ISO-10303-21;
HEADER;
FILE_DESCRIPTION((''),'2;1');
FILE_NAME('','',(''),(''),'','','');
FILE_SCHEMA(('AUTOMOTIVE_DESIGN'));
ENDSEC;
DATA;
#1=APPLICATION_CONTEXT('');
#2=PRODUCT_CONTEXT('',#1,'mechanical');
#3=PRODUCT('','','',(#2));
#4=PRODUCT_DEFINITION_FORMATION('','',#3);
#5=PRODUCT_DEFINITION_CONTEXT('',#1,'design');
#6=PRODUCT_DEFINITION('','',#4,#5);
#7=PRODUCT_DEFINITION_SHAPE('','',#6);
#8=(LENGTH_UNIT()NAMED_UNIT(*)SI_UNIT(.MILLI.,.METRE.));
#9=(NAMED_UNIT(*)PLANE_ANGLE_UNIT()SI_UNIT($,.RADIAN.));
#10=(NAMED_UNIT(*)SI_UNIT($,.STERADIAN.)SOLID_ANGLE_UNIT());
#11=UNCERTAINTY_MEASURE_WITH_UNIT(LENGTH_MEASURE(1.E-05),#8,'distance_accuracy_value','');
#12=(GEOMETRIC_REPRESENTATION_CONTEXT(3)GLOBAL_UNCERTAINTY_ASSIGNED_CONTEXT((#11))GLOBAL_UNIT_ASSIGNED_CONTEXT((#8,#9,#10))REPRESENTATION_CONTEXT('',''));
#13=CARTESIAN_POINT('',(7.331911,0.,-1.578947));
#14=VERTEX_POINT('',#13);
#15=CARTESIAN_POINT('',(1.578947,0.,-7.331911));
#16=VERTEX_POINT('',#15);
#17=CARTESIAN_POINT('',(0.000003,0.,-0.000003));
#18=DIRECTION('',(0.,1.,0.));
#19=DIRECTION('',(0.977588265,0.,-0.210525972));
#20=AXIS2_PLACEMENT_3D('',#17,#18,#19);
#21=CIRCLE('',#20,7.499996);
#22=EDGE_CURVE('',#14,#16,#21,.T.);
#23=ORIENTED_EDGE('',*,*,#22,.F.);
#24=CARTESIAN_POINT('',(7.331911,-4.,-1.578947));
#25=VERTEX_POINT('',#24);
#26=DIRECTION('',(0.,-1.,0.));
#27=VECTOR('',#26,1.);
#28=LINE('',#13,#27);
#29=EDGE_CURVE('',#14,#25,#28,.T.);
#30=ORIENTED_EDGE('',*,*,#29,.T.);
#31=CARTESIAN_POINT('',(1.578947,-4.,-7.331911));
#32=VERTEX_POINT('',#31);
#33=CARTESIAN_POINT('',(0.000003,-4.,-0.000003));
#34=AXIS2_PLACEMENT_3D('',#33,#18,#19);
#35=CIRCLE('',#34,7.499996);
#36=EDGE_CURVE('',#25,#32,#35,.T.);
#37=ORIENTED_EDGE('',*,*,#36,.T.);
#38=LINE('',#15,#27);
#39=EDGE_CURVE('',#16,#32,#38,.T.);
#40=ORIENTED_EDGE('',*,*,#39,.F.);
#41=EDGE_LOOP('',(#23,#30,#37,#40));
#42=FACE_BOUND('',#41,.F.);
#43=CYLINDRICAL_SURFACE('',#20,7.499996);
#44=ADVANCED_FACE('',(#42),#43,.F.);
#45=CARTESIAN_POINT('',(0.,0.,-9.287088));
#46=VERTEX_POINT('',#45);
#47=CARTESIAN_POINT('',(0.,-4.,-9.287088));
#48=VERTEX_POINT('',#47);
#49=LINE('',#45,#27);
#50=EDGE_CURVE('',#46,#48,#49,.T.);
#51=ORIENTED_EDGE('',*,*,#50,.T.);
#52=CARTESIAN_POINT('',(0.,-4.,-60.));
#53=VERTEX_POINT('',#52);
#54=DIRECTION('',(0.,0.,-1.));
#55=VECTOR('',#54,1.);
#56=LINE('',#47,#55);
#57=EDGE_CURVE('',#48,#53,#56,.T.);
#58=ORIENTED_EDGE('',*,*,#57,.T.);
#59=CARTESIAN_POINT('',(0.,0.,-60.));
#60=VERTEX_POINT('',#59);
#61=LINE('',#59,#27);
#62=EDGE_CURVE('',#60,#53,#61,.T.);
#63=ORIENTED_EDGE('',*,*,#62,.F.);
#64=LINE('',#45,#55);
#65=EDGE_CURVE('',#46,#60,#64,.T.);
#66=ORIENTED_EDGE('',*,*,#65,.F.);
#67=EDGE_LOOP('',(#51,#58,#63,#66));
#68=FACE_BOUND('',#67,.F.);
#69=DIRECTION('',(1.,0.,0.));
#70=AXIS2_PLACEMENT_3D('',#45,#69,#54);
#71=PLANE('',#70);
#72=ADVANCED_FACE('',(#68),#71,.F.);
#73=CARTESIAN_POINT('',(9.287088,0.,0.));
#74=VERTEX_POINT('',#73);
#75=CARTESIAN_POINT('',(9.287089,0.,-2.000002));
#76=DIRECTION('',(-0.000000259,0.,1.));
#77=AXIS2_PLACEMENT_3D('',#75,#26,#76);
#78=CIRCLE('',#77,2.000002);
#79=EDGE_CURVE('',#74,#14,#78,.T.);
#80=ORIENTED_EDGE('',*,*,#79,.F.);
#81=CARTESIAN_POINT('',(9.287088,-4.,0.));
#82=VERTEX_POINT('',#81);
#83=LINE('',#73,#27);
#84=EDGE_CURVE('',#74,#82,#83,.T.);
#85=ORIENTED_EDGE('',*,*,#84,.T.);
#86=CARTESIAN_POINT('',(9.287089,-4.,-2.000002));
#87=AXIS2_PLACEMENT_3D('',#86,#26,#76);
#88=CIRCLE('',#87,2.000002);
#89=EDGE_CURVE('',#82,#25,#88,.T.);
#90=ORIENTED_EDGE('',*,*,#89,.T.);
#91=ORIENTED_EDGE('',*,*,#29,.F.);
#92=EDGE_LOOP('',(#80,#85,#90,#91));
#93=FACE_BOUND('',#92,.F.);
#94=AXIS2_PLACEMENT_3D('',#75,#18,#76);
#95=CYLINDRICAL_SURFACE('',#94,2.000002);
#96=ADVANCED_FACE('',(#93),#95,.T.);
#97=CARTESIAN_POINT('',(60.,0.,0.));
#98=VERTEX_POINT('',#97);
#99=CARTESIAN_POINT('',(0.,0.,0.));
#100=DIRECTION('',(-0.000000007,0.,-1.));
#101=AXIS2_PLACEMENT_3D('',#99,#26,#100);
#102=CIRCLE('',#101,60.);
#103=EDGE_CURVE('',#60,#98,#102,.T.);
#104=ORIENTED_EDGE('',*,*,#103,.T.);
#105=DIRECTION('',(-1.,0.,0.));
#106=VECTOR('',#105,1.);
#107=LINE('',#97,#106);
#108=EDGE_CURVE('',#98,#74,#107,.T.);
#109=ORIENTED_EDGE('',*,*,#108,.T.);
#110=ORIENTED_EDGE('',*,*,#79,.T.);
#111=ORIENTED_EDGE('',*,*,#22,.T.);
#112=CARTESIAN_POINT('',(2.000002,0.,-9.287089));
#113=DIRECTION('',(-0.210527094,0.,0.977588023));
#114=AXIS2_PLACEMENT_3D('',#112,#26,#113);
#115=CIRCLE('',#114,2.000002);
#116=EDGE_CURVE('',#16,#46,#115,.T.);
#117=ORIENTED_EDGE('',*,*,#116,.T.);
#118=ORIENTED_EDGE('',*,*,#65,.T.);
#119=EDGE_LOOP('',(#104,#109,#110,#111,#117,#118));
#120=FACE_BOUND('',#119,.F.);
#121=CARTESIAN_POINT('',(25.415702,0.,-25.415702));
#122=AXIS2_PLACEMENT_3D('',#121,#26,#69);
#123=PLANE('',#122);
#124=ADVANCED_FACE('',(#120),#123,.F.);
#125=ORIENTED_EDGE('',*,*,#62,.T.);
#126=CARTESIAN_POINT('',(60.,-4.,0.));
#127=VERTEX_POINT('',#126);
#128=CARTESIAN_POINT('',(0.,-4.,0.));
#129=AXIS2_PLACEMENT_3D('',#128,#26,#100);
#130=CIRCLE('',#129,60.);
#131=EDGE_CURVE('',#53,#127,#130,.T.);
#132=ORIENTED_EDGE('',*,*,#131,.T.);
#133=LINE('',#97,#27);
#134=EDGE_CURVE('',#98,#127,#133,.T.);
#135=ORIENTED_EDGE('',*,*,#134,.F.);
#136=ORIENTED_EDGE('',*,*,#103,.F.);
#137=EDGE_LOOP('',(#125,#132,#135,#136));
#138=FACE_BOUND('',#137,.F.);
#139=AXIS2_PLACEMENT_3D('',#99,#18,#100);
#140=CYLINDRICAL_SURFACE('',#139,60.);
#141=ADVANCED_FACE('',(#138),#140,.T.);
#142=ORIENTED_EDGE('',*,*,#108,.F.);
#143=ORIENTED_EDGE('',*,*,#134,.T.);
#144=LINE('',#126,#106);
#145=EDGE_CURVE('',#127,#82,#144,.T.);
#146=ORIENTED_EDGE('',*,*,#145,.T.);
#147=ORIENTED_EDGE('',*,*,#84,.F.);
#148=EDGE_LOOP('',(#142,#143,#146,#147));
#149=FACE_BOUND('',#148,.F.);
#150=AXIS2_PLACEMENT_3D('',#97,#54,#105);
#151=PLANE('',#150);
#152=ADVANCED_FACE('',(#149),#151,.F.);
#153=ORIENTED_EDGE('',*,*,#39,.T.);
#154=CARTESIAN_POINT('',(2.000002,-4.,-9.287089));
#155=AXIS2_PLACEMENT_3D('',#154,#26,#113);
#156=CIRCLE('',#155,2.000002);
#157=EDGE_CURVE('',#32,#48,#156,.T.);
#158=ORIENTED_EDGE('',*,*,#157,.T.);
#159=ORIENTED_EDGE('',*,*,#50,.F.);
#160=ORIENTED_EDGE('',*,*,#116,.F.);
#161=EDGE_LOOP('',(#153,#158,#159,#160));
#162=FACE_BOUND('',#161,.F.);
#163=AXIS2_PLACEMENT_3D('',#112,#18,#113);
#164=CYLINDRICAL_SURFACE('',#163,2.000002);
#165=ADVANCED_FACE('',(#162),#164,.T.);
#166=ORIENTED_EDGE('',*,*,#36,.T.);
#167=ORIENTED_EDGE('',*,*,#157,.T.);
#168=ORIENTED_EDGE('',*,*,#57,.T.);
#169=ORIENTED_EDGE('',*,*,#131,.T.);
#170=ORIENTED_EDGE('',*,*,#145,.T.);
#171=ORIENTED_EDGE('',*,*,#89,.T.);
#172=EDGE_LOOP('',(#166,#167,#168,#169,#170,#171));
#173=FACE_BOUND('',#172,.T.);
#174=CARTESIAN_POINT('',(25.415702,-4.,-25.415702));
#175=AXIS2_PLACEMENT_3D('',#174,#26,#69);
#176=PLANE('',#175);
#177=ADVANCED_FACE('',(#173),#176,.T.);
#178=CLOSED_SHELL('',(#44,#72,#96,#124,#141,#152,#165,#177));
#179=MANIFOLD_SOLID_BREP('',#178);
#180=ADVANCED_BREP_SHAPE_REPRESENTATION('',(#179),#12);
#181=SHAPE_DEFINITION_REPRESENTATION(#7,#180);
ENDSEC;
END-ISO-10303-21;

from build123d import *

# Parameters (mm, degrees)
F1_DEPTH = 4


with BuildPart() as f1:
    # F0 (on Front) → F1 (new body)
    with BuildSketch(Plane.XZ):
        with BuildLine():
            Line((60, 0), (9.287088, 0))
            ThreePointArc((9.287088, 0), (8.030526, -0.444027), (7.331911, -1.578947))
            ThreePointArc((7.331911, -1.578947), (5.303301, -5.303301), (1.578947, -7.331911))
            ThreePointArc((1.578947, -7.331911), (0.444027, -8.030526), (0, -9.287088))
            Line((0, -9.287088), (0, -60))
            ThreePointArc((0, -60), (42.426407, -42.426407), (60, 0))
        make_face()
    extrude(amount=F1_DEPTH)


solid = f1.part
